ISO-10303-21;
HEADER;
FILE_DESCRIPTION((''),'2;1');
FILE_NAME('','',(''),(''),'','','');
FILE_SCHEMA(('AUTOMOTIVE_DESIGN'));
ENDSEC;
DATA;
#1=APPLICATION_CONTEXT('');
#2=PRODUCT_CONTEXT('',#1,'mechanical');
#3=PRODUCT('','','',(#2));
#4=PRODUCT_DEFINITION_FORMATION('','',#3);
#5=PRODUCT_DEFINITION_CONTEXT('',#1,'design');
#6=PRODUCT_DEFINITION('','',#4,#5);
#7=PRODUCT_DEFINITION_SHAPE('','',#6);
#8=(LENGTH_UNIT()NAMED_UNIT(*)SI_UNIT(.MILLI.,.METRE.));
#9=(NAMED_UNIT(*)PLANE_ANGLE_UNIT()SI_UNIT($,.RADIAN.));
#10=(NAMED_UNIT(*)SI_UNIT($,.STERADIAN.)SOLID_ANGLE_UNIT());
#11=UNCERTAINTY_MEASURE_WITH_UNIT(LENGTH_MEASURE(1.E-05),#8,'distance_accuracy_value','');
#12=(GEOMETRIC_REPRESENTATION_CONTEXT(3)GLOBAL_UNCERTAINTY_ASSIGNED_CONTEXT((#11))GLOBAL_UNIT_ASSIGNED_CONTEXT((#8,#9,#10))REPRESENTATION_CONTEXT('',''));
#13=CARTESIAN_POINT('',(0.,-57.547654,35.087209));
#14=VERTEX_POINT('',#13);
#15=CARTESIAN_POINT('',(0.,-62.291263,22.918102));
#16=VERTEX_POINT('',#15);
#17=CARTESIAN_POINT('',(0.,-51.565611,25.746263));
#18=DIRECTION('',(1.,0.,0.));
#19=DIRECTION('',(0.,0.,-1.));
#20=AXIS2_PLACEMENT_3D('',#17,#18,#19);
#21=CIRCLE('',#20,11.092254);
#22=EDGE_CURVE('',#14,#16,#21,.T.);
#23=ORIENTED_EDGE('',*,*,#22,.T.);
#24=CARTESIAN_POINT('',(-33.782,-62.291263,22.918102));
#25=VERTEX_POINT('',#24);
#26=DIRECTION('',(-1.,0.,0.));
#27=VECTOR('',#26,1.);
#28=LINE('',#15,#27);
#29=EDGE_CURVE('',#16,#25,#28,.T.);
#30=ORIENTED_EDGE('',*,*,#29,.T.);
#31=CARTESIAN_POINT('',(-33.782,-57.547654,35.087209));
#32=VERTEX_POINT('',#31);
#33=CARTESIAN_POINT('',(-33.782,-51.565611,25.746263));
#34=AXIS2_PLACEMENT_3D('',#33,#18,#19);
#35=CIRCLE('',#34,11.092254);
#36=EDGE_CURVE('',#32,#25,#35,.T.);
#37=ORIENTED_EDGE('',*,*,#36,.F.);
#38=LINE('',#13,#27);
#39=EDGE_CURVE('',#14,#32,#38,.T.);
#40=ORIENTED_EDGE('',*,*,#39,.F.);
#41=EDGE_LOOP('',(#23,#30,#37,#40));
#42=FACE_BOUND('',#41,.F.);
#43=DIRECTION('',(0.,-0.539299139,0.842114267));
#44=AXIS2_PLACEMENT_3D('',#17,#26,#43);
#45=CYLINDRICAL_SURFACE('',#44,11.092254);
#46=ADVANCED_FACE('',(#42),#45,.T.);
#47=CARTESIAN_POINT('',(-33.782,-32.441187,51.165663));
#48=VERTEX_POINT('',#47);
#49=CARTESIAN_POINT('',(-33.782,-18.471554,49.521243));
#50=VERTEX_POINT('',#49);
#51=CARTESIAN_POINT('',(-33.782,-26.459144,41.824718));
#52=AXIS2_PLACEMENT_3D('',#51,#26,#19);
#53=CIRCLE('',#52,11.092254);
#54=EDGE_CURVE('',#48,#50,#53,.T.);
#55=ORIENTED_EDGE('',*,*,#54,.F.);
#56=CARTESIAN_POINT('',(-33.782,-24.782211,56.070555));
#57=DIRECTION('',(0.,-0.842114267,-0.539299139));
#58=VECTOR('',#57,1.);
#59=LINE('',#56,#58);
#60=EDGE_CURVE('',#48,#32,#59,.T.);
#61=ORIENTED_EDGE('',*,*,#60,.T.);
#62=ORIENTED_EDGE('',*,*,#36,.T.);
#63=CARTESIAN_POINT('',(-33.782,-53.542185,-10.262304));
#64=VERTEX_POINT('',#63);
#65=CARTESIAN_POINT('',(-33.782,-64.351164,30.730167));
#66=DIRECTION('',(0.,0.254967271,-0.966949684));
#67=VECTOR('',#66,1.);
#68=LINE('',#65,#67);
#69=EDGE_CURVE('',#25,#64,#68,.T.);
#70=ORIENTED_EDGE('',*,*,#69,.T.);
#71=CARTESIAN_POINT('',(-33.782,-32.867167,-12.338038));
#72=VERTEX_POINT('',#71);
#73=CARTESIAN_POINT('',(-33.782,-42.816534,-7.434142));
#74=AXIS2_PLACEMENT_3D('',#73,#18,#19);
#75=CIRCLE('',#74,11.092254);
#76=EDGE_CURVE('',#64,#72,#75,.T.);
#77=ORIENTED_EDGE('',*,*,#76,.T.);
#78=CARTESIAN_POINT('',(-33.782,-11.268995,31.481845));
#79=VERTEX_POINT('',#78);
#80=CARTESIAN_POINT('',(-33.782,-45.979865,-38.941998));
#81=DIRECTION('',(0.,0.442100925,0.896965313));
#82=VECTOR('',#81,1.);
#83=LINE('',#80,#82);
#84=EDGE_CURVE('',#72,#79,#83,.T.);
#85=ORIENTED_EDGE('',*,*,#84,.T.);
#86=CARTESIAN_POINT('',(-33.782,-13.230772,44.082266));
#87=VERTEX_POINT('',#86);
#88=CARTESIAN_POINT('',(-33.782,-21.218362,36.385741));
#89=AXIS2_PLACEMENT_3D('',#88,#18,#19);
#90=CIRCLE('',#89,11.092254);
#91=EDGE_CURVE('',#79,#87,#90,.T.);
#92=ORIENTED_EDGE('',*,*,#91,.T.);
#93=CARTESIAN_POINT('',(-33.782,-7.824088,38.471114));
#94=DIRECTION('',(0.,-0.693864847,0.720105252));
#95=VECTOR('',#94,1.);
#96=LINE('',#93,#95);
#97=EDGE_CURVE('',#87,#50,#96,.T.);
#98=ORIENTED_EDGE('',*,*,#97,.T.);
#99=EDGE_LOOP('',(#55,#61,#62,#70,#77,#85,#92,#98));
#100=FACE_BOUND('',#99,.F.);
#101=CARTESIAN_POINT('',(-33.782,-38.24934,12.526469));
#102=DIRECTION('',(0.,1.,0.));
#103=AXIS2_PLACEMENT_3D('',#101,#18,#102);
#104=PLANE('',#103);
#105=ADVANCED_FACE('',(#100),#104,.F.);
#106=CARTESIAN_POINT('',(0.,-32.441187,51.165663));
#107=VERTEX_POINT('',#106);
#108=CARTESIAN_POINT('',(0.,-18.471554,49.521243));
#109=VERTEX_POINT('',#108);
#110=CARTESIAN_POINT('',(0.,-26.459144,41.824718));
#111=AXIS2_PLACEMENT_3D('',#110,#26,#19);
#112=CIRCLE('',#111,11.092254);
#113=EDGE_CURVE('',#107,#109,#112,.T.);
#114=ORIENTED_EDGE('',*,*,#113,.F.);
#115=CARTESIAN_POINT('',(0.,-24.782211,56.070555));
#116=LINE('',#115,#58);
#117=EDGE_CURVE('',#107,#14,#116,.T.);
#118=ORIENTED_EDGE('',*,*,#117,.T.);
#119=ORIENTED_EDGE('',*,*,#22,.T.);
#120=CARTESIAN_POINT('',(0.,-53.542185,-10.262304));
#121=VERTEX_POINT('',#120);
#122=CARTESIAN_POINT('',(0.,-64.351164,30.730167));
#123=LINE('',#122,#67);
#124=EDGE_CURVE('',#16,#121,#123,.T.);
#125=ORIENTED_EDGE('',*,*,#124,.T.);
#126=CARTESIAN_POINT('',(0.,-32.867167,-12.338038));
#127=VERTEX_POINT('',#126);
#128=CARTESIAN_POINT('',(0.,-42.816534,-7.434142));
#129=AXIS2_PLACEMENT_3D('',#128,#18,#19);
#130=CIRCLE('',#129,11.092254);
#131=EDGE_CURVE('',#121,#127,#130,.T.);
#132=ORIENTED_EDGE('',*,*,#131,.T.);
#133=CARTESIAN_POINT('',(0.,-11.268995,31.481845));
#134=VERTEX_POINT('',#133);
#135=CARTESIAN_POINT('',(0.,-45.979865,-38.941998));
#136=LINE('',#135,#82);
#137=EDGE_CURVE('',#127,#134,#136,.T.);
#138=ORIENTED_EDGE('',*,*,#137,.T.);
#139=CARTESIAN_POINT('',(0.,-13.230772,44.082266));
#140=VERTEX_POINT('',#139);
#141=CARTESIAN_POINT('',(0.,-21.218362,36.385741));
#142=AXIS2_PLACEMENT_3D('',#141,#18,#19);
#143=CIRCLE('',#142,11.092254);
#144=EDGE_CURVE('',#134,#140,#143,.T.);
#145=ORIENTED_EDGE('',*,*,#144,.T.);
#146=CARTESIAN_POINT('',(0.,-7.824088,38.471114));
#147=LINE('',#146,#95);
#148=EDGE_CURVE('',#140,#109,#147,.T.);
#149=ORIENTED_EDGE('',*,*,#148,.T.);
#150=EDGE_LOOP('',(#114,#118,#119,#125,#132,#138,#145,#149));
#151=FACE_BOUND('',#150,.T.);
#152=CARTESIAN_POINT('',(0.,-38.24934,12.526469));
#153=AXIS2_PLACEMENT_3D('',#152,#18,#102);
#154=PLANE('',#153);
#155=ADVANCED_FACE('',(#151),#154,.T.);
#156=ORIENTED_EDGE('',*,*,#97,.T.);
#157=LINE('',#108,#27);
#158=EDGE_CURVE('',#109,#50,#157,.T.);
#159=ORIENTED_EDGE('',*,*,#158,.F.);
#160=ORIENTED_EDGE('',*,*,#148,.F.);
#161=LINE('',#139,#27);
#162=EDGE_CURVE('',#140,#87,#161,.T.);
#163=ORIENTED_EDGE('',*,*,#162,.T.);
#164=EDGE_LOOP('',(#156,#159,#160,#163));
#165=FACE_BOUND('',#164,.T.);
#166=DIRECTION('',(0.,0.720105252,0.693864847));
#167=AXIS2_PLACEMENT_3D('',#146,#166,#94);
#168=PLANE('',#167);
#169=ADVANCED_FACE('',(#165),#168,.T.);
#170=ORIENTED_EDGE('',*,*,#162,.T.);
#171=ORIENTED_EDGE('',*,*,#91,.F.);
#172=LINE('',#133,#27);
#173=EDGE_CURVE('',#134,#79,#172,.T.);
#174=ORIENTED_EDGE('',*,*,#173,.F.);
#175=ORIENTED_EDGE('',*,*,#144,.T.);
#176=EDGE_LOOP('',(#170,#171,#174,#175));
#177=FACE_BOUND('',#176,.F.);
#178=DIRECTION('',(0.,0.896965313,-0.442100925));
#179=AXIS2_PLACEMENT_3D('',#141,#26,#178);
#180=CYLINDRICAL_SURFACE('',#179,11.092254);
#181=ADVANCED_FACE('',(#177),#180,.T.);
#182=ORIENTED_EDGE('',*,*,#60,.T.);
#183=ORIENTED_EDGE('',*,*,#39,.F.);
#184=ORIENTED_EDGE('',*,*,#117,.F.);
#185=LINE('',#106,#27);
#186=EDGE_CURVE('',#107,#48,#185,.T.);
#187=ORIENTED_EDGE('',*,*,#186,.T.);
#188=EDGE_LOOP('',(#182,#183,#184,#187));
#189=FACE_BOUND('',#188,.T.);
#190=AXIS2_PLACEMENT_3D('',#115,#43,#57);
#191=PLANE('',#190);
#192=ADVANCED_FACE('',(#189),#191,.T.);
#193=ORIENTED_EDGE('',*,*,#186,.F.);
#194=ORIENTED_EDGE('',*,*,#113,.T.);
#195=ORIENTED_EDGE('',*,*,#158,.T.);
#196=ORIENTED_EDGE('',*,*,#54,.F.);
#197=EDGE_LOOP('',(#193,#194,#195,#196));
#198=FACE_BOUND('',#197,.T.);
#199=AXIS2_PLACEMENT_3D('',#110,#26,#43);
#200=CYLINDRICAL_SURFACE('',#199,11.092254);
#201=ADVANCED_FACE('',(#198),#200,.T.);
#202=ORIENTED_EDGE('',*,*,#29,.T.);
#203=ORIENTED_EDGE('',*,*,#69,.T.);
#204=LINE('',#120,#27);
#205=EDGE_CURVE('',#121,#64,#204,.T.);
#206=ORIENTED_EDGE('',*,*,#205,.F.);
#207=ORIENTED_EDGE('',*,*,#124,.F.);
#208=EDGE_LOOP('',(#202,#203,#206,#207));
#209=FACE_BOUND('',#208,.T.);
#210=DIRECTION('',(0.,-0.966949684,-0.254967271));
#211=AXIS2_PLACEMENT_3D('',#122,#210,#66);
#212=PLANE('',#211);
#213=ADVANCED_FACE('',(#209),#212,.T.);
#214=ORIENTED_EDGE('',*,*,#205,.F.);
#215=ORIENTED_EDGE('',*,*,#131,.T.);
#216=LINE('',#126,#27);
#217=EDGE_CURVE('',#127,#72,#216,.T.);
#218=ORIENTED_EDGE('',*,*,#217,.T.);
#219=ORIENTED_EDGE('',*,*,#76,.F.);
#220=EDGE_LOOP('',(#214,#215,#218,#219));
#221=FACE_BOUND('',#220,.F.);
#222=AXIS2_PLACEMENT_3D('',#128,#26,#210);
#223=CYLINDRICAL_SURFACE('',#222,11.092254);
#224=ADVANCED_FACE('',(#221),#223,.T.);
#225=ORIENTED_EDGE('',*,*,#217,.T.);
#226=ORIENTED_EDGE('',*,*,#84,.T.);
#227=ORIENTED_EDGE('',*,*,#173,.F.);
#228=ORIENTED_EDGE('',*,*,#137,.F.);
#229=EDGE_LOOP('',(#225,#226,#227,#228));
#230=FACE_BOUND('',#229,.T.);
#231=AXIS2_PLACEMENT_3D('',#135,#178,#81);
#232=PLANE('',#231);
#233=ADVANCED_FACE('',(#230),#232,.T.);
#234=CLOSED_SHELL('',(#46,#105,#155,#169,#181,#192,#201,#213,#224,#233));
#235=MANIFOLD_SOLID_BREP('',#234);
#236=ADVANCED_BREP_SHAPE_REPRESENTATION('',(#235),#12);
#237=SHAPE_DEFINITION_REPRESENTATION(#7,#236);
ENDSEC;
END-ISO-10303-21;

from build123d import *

# Parameters (mm, degrees)
F1_DEPTH = 33.782
F2_R     = 11.092254


with BuildPart() as f1:
    # F0 (on Right) → F1 (new body)
    with BuildSketch(Plane.YZ):
        Polygon((-24.782211, 56.070555), (-64.351164, 30.730167), (-45.979865, -38.941998), (-7.824088, 38.471114), align=None)
    extrude(amount=-F1_DEPTH)

    # F2
    f2_edges = [f1.edges().sort_by_distance(p)[0] for p in [
        (-16.891, -24.782211, 56.070555),
        (-16.891, -7.824088, 38.471114),
        (-16.891, -64.351164, 30.730167),
        (-16.891, -45.979865, -38.941998),
    ]]
    fillet(f2_edges, radius=F2_R)


solid = f1.part
